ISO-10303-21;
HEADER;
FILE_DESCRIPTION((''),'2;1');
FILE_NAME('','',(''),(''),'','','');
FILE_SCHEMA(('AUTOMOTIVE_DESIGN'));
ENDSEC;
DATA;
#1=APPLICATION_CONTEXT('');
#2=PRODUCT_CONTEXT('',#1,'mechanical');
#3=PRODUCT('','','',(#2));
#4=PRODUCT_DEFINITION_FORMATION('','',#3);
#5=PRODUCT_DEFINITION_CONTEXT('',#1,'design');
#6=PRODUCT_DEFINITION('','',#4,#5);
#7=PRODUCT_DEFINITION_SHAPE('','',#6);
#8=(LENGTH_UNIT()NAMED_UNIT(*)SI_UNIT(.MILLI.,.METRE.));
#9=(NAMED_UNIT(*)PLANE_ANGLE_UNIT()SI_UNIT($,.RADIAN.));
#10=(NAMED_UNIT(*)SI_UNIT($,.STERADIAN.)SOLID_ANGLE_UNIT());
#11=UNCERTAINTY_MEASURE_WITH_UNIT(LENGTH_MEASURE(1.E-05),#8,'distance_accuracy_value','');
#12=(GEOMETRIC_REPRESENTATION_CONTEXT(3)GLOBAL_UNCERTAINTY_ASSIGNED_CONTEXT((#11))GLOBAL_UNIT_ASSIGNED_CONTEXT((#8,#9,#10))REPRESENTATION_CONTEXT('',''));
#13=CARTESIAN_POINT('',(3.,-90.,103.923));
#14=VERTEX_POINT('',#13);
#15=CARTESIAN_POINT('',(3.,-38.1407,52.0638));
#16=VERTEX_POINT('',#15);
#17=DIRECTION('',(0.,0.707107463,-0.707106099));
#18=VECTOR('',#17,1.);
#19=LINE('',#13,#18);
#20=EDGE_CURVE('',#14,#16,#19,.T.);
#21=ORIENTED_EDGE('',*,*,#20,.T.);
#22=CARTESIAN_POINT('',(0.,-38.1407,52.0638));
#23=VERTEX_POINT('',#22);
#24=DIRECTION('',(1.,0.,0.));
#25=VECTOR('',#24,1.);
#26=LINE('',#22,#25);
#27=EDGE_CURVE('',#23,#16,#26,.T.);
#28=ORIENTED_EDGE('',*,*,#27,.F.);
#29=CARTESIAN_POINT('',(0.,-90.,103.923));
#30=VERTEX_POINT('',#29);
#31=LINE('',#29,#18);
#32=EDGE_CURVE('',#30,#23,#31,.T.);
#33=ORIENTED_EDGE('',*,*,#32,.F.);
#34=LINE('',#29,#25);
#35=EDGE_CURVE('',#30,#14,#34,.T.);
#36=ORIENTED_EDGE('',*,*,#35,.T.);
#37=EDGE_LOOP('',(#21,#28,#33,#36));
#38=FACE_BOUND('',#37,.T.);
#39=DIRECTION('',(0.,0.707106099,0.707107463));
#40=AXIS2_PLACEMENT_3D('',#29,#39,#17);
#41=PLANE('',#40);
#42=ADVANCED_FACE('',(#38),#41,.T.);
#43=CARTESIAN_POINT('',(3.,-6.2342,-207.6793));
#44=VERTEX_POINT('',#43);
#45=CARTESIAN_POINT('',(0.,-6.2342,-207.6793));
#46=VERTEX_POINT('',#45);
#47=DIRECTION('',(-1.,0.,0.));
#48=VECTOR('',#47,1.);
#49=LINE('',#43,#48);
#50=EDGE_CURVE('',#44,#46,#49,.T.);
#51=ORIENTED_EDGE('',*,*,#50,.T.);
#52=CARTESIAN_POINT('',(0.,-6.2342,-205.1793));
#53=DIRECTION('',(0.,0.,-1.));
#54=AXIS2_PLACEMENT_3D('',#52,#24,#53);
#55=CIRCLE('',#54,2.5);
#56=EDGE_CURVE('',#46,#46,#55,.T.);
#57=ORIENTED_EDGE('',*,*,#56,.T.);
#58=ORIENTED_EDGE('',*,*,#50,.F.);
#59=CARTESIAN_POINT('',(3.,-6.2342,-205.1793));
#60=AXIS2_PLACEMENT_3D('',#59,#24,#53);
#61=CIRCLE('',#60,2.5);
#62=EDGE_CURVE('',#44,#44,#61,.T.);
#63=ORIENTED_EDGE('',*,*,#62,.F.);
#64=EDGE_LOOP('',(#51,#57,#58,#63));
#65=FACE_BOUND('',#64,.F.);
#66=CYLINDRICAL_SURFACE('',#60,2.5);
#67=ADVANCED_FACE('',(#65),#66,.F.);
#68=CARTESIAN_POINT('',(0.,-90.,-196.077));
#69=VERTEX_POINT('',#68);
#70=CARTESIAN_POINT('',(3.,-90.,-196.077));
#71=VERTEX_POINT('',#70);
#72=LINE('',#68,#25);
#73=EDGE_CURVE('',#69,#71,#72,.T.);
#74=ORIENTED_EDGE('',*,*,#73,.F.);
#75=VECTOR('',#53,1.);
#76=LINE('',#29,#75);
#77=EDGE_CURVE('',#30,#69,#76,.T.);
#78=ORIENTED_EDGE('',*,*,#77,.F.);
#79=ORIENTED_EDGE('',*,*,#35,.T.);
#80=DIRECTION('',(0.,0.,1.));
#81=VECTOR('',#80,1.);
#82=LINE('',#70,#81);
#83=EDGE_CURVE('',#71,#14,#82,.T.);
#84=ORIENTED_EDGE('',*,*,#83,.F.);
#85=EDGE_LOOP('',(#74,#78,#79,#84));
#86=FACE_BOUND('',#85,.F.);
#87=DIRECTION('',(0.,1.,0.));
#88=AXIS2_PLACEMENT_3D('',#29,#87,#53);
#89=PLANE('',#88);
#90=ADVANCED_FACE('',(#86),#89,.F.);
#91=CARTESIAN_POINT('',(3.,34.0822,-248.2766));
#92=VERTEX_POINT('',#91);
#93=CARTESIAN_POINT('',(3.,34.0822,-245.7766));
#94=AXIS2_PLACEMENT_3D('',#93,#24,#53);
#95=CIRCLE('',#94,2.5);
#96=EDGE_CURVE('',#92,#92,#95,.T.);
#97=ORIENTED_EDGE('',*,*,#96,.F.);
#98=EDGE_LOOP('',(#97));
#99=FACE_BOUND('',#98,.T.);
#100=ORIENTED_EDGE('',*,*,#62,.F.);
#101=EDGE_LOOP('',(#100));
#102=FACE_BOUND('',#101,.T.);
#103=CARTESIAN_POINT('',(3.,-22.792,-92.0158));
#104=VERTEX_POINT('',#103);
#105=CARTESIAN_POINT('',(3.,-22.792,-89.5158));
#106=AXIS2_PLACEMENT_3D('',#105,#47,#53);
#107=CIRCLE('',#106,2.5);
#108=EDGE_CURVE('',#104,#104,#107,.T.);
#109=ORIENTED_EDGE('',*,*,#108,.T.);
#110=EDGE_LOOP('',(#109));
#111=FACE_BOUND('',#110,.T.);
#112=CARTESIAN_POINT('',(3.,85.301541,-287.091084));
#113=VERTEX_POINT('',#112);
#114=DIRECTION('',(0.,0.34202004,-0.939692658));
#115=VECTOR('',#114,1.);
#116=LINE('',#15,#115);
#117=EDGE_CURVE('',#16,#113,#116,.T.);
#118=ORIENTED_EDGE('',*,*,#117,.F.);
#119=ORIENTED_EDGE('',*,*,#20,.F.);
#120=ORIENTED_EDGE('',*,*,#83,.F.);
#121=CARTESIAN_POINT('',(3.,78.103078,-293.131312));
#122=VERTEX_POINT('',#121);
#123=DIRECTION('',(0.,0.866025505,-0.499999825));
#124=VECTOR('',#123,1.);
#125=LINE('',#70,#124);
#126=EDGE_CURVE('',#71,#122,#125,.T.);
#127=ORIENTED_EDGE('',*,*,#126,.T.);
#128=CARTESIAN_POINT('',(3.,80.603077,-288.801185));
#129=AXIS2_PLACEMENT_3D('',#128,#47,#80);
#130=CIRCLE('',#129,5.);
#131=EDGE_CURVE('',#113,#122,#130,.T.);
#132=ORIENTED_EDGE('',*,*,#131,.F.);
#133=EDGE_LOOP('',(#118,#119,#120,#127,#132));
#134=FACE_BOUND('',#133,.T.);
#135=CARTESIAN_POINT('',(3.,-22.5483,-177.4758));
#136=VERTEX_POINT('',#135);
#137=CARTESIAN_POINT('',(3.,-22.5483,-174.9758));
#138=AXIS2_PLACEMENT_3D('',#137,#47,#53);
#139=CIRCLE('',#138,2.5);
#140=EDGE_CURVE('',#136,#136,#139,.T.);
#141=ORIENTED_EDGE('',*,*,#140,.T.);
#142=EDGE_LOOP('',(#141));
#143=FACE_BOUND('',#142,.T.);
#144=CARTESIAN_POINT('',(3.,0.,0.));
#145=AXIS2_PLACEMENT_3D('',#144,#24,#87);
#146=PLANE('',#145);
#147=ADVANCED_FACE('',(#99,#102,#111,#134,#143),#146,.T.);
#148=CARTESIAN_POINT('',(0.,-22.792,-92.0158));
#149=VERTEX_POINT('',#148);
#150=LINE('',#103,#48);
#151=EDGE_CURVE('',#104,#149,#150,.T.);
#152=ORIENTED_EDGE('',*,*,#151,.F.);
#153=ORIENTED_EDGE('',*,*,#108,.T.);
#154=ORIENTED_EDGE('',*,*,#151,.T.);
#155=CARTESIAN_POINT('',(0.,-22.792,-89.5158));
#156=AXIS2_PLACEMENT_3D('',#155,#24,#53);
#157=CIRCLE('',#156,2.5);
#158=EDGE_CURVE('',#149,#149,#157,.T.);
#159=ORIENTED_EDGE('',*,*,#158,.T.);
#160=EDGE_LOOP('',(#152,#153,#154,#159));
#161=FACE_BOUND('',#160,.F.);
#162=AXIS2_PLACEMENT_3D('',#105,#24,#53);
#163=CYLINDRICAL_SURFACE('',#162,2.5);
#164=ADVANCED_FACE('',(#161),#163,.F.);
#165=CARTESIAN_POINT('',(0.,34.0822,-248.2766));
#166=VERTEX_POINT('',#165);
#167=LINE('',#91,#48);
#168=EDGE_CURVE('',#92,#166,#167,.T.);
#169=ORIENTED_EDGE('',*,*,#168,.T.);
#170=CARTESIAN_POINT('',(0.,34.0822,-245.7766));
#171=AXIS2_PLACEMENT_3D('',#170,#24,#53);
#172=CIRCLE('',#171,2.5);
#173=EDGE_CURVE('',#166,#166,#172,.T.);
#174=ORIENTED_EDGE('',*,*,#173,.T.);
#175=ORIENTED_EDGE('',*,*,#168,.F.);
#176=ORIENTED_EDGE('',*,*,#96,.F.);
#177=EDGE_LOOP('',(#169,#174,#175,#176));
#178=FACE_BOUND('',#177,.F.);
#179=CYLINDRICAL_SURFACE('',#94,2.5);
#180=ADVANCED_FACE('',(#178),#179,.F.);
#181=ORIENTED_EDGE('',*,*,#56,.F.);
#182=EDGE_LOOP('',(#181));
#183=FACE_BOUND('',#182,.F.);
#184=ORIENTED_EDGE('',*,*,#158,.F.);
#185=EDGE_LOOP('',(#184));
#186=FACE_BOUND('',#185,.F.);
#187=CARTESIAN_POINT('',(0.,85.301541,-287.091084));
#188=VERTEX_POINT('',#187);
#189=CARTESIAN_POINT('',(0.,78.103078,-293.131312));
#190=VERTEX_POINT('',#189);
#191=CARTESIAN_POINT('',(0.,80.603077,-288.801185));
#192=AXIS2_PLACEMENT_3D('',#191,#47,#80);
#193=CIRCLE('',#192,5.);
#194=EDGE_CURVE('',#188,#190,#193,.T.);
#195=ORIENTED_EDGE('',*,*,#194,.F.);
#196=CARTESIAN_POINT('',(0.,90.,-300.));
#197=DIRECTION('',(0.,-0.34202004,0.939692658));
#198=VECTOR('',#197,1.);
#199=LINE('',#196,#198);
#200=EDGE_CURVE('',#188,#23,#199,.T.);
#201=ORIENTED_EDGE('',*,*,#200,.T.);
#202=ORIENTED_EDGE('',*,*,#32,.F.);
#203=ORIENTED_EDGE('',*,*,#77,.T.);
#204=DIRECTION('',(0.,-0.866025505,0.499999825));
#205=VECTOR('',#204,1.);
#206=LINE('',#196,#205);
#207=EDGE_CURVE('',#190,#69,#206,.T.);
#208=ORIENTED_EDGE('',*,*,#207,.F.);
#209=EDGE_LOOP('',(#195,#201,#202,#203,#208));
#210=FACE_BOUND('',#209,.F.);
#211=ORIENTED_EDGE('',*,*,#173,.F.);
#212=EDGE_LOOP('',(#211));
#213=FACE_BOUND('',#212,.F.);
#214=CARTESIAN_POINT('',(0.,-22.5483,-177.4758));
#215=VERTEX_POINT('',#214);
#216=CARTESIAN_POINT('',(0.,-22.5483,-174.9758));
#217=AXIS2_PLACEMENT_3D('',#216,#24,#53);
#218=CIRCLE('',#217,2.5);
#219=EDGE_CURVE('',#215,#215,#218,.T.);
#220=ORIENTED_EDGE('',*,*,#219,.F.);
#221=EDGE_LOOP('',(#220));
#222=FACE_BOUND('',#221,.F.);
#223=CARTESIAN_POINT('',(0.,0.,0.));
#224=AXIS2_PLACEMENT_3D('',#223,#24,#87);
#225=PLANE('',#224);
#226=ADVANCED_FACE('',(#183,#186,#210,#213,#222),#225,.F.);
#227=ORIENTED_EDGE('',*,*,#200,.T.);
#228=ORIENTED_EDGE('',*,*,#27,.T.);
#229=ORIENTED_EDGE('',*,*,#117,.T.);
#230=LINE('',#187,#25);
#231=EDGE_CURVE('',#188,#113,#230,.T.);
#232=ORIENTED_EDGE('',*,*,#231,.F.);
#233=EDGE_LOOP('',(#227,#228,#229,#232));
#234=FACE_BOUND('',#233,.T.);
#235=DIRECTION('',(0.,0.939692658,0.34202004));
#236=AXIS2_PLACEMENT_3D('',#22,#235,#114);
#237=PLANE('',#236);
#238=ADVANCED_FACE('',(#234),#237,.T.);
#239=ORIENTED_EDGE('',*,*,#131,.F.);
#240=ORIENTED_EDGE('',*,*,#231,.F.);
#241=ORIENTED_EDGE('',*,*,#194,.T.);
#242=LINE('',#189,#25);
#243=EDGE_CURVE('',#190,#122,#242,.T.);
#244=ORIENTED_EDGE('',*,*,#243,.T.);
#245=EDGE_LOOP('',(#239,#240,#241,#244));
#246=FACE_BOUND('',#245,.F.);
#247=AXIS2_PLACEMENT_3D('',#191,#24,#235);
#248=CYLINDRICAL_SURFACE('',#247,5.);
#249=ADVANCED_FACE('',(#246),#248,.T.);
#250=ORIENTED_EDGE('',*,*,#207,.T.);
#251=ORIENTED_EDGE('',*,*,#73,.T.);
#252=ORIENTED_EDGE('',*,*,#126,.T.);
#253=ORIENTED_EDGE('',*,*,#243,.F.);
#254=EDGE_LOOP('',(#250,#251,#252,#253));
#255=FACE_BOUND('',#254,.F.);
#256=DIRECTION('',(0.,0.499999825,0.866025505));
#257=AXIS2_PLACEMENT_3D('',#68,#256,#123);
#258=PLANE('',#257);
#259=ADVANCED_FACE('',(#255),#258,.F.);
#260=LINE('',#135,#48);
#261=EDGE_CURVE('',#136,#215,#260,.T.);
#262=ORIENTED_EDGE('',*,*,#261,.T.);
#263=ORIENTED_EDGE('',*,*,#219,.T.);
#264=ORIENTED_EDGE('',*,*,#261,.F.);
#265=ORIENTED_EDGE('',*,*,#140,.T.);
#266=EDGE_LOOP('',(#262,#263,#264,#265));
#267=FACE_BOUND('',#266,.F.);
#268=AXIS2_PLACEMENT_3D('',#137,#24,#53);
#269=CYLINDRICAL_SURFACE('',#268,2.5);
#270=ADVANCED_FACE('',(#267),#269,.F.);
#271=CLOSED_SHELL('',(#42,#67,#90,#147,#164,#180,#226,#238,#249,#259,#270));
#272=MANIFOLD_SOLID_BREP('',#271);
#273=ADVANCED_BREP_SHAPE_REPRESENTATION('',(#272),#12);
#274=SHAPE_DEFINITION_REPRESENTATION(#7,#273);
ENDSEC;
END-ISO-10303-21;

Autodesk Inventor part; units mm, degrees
ref_plane "YZ Plane" through (0, 0, 0) normal (1, 0, 0) x (0, 1, 0)
ref_plane "XZ Plane" through (0, 0, 0) normal (0, 1, 0) x (-1, 0, 0)
ref_plane "XY Plane" through (0, 0, 0) normal (0, 0, 1) x (1, 0, 0)
sketch "スケッチ1" plane through (0, 0, 0) normal (1, 0, 0) x (0, 1, 0)
  line L0 (-90, 103.923) -> (-90, -196.077)
  line L1 (-90, -196.077) -> (90, -300)
  line L2 (-126, 0) -> (126, 0) projected
  line L3 (0, -380.7846) -> (0, 184.7077) projected
  line L4 (-90, 103.923) -> (-38.1407, 52.0638)
  line L5 (-38.1407, 52.0638) -> (90, -300)
  dimension "d0" = 300
  dimension "d5" = 90
  dimension "d6" = 300
  dimension "d7" = 90
  dimension "d32" = 20
  dimension "d33" = 40
  dimension "d34" = 45
extrude "押し出し1" add sketch "スケッチ1" along normal blind 3 contours L4 L5 L2 L0 | L2 L5 L3 L1 L0 | L3 L5 L1
fillet "フィレット1" radius 5 1 edges at (1.5, 90, -300)
sketch "スケッチ3" plane through (3, 0, 0) normal (1, 0, 0) x (0, 0, -1)
  circle A0 centre (245.7766, 34.0822) radius 2.5
  line L0 (196.077, -90) -> (293.1313, 78.1031) projected
  line L1 (287.0911, 85.3015) -> (-52.0638, -38.1407) projected
  circle A1 centre (205.1793, -6.2342) radius 2.5
  circle A2 centre (174.9758, -22.5483) radius 2.5
  circle A3 centre (89.5158, -22.792) radius 2.5
  line L2 (89.5158, -22.792) -> (174.9758, -22.5483)
  point P0 (0, 0)
  dimension "d36" = 34
  dimension "d37" = 5
  dimension "d38" = 5
  dimension "d40" = 58
  dimension "d41" = 63
  dimension "d42" = 34
  dimension "d43" = 5
  dimension "d44" = 5
  dimension "d45" = 19
  dimension "d46" = 34
  dimension "d47" = 52
  dimension "d51" = 85.46
extrude "押し出し3" cut sketch "スケッチ3" against normal through all
properties part number "stay_middle" material "アルミニウム 6061"
